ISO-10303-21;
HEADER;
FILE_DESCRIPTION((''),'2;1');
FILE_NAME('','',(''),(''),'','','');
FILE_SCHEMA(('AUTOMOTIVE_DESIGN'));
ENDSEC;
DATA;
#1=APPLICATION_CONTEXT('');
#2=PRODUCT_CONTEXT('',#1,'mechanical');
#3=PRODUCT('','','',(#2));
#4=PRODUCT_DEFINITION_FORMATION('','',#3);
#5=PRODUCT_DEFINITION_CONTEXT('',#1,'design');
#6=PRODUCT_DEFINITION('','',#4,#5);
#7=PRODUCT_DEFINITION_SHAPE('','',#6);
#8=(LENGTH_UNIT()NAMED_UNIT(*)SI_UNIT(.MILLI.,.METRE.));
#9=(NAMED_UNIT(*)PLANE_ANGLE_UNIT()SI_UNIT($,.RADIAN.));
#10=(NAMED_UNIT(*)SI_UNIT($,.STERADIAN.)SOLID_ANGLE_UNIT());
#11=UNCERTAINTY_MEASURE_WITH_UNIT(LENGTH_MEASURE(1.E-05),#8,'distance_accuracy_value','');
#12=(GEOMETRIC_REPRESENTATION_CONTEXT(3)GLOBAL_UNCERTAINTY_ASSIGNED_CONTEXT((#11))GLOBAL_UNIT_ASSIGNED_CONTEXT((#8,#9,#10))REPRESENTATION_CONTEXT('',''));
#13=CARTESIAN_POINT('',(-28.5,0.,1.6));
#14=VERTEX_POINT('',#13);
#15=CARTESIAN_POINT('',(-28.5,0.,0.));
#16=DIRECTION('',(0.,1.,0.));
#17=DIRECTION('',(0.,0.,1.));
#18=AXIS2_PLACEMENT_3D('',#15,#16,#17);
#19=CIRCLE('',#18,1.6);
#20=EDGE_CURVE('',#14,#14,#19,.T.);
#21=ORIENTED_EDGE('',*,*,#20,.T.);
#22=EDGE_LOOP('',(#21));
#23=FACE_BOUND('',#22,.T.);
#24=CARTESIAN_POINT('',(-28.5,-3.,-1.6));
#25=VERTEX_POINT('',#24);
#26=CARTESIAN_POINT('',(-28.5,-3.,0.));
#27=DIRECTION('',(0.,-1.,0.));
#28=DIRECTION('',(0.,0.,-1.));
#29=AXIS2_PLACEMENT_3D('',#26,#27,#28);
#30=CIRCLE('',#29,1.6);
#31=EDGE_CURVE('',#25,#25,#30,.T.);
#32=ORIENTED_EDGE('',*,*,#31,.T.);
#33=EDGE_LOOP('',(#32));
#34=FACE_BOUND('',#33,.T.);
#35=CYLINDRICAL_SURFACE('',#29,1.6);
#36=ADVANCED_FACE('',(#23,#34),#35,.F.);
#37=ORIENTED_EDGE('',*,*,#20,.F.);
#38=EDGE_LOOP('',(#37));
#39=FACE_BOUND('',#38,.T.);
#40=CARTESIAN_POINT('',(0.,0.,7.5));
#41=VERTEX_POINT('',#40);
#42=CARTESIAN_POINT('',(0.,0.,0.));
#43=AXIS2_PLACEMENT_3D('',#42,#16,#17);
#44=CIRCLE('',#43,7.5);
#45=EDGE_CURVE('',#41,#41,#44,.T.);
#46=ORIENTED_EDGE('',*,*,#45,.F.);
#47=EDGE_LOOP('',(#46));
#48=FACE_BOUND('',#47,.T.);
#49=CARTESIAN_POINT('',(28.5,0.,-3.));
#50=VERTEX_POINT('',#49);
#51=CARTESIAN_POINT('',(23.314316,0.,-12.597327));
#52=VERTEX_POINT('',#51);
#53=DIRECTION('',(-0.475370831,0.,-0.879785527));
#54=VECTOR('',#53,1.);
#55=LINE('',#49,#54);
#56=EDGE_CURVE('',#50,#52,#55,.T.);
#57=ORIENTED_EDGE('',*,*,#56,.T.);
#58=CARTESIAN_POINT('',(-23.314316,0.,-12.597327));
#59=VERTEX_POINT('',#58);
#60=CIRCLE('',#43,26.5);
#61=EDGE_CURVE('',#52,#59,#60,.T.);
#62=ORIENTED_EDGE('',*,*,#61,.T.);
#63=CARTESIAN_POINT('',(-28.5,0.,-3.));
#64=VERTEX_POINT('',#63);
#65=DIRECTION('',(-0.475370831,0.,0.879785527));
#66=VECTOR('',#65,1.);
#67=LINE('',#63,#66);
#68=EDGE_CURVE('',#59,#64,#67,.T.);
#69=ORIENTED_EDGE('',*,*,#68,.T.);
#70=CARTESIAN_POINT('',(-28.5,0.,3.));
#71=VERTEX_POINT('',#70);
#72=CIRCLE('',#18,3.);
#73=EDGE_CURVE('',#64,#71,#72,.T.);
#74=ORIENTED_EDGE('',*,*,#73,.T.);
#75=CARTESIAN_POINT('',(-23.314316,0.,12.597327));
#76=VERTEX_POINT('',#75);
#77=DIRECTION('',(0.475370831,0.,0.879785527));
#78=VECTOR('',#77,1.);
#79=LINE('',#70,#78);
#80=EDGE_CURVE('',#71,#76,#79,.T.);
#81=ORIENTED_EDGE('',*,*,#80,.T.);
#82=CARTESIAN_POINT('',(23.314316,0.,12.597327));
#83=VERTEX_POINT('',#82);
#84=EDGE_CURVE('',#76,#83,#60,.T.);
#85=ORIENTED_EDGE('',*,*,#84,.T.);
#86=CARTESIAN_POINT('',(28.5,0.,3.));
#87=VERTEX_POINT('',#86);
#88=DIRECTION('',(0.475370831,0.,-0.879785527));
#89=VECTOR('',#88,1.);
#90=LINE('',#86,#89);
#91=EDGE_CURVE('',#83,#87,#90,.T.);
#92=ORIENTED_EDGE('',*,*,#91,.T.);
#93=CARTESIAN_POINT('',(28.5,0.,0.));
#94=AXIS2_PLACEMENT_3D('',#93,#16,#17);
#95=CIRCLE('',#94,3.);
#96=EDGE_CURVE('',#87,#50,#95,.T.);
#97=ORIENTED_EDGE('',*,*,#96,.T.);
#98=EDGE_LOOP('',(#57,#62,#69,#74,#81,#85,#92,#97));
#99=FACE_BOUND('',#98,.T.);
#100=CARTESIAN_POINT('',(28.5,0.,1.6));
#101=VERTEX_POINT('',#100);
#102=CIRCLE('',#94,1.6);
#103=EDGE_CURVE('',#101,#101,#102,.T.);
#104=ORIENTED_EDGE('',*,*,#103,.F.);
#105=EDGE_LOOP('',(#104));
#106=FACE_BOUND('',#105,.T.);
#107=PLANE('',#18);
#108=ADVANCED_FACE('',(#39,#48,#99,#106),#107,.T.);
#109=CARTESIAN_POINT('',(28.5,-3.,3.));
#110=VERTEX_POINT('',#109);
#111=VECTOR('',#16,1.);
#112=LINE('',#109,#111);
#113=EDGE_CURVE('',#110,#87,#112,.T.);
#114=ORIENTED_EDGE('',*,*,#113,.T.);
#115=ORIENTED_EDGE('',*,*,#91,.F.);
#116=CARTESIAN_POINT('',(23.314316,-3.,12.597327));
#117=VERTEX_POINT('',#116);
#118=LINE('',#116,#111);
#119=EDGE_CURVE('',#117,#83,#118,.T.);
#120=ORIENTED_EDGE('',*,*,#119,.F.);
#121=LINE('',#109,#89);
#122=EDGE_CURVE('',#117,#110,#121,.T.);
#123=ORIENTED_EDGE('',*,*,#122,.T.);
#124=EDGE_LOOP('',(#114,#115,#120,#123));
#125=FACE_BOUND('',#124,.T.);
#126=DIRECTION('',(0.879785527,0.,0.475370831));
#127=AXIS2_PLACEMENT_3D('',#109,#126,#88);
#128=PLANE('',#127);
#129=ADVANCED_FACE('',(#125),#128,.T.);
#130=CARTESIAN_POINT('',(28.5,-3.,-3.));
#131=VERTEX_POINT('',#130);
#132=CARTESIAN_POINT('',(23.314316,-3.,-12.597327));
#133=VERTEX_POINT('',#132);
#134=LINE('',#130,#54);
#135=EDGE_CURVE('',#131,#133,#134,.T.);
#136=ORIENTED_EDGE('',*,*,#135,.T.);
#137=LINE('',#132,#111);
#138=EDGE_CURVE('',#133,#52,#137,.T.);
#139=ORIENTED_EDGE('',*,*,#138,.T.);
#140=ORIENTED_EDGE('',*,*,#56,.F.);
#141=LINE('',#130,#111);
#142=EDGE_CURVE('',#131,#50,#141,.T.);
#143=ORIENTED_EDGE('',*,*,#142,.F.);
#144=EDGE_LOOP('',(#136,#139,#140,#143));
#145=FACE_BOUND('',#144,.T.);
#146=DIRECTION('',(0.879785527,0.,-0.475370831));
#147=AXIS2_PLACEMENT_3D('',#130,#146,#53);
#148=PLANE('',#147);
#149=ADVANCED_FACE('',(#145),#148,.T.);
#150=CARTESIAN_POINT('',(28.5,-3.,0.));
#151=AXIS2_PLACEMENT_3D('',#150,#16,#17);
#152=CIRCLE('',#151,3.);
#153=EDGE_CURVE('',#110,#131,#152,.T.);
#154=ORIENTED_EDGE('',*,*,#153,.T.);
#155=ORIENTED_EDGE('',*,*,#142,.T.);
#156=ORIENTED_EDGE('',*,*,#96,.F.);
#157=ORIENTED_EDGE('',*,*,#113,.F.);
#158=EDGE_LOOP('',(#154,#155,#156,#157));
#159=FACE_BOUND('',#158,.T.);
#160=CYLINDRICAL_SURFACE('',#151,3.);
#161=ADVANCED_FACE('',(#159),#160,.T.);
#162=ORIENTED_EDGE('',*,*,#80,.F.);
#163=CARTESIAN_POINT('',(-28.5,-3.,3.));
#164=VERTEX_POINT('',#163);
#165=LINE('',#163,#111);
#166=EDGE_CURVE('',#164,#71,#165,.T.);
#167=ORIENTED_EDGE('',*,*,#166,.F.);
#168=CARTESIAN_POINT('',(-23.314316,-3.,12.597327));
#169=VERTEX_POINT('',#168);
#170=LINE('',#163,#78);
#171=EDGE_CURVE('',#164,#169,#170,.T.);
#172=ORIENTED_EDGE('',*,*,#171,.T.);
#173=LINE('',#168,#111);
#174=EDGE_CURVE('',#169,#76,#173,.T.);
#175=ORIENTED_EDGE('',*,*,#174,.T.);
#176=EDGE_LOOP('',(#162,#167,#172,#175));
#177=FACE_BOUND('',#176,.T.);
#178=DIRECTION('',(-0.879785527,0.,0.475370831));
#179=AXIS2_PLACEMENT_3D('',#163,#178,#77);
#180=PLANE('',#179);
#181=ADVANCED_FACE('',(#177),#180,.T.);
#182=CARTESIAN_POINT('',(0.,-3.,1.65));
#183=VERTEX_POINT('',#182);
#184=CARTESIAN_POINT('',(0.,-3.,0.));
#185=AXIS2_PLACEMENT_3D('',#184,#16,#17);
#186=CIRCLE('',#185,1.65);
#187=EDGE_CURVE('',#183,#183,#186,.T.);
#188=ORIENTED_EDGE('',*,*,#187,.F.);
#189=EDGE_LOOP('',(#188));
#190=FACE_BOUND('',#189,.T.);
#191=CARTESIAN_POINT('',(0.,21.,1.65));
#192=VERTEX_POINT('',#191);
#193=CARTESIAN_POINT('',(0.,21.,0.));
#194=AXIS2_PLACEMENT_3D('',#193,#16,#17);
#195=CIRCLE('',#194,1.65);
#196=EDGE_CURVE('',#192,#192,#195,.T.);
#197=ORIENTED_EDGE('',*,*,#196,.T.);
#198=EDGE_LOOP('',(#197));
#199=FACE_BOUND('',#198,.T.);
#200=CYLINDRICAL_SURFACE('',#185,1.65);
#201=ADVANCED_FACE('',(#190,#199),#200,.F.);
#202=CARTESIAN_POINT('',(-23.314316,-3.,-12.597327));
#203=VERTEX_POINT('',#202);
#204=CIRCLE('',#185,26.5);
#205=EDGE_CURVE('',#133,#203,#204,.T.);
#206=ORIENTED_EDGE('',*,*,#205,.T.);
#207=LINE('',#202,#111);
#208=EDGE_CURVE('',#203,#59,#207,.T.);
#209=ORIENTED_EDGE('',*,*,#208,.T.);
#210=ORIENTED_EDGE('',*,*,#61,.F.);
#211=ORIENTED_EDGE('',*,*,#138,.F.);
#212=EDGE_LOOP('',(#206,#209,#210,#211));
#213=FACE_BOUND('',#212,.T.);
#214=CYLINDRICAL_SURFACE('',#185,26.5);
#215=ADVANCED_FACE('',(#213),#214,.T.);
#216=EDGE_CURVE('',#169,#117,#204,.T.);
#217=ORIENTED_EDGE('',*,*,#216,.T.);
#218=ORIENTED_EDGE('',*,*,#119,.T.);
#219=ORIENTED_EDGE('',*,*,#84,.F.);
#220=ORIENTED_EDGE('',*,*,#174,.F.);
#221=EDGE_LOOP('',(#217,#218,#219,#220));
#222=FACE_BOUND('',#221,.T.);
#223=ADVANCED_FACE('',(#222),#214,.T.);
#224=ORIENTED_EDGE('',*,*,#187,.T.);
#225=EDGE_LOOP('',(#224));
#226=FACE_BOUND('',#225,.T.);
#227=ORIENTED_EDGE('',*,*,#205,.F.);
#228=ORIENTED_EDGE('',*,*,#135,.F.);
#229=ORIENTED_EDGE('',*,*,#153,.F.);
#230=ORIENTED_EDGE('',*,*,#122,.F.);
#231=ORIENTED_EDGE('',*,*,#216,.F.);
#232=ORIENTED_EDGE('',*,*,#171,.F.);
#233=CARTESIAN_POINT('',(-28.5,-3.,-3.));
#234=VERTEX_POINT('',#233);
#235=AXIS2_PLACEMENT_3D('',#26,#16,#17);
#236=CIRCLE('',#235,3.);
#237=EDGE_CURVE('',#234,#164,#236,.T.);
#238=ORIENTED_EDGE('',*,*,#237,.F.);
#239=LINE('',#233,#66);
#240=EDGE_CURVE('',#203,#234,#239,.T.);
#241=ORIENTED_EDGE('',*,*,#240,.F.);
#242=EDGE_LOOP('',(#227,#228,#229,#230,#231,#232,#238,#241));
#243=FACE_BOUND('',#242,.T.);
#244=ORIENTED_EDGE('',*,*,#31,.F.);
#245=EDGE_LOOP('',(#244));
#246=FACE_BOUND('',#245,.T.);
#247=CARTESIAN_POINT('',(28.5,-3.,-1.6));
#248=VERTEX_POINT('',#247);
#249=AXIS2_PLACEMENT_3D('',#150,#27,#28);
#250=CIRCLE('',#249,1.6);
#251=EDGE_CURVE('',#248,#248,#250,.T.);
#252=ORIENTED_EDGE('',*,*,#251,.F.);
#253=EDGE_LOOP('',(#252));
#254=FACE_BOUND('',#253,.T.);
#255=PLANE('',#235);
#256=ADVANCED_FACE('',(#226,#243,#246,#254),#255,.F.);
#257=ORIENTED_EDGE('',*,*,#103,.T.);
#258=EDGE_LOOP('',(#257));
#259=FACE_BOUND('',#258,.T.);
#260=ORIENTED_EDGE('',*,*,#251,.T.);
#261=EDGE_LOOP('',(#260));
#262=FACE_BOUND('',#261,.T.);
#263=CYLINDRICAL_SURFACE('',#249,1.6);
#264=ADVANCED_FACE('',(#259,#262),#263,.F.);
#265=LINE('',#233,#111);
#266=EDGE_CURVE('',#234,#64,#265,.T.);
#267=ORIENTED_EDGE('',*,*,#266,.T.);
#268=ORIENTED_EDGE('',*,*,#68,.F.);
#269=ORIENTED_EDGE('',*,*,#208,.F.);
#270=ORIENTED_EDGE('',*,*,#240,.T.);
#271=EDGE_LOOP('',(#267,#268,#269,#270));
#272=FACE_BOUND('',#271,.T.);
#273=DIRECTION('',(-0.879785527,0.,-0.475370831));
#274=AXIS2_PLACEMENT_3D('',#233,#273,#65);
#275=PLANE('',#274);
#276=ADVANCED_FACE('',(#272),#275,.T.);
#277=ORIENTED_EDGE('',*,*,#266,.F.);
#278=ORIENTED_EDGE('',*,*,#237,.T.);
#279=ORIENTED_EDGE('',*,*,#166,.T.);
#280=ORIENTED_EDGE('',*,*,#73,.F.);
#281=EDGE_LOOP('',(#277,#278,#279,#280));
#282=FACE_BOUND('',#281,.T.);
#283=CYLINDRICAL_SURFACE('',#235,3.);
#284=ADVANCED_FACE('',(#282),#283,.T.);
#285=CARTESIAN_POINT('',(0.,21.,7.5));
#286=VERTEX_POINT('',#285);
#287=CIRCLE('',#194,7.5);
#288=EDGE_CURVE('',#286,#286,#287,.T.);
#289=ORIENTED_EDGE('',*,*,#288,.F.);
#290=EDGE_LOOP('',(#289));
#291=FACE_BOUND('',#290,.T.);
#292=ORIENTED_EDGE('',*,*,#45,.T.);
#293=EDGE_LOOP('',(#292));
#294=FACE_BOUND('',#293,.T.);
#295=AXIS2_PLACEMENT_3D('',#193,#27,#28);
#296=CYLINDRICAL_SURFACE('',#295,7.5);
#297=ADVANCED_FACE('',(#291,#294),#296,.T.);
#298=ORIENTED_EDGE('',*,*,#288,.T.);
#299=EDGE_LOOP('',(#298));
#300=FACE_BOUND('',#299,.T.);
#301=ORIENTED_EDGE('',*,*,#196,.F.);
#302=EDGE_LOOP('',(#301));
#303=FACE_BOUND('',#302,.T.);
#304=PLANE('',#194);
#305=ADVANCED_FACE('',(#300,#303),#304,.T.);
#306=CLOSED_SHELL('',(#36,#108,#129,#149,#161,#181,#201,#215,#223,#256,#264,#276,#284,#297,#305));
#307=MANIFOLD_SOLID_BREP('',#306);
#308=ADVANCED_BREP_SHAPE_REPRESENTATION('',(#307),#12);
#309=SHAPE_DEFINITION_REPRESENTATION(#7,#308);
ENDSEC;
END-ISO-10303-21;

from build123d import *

# Parameters (mm, degrees)
BOSS_EXTRUDE1_DEPTH      = 3
SKETCH2_R                = 7.5
BOSS_EXTRUDE2_DEPTH      = 21
M3_CLEARANCE_HOLE1_D     = 3.2
M3_CLEARANCE_HOLE1_DEPTH = 3
SKETCH5_R                = 1.65
CUT_EXTRUDE1_DEPTH       = 25


with BuildPart() as part:
    # Sketch1 → Boss-Extrude1 (new body)
    with BuildSketch(Plane(origin=(0, 0, 0), x_dir=(1, 0, 0), z_dir=(0, 1, 0))):
        with BuildLine():
            Line((-28.5, 3), (-23.314316453, 12.597327031))
            ThreePointArc((-23.314316453, 12.597327031), (0, 26.5), (23.314316453, 12.597327031))
            Line((23.314316453, 12.597327031), (28.5, 3))
            ThreePointArc((28.5, 3), (31.5, 0), (28.5, -3))
            Line((28.5, -3), (23.314316453, -12.597327031))
            ThreePointArc((23.314316453, -12.597327031), (0, -26.5), (-23.314316453, -12.597327031))
            Line((-23.314316453, -12.597327031), (-28.5, -3))
            ThreePointArc((-28.5, -3), (-31.5, 0), (-28.5, 3))
        make_face()
    extrude(amount=-BOSS_EXTRUDE1_DEPTH)

    # Sketch2 → Boss-Extrude2 (add)
    with BuildSketch(Plane(origin=(0, 0, 0), x_dir=(1, 0, 0), z_dir=(0, 1, 0))):
        Circle(SKETCH2_R)
    extrude(amount=BOSS_EXTRUDE2_DEPTH)

    # M3 Clearance Hole1
    with Locations(Plane(origin=(0, -3, 0), x_dir=(-1, 0, 0), z_dir=(0, -1, 0))):
        with Locations((-28.5, 0), (28.5, 0)):
            Hole(M3_CLEARANCE_HOLE1_D / 2, depth=M3_CLEARANCE_HOLE1_DEPTH)

    # Sketch5 → Cut-Extrude1 (cut, through all)
    with BuildSketch(Plane(origin=(0, 21, 0), x_dir=(1, 0, 0), z_dir=(0, 1, 0))):
        Circle(SKETCH5_R)
    extrude(amount=-CUT_EXTRUDE1_DEPTH, mode=Mode.SUBTRACT)


solid = part.part
